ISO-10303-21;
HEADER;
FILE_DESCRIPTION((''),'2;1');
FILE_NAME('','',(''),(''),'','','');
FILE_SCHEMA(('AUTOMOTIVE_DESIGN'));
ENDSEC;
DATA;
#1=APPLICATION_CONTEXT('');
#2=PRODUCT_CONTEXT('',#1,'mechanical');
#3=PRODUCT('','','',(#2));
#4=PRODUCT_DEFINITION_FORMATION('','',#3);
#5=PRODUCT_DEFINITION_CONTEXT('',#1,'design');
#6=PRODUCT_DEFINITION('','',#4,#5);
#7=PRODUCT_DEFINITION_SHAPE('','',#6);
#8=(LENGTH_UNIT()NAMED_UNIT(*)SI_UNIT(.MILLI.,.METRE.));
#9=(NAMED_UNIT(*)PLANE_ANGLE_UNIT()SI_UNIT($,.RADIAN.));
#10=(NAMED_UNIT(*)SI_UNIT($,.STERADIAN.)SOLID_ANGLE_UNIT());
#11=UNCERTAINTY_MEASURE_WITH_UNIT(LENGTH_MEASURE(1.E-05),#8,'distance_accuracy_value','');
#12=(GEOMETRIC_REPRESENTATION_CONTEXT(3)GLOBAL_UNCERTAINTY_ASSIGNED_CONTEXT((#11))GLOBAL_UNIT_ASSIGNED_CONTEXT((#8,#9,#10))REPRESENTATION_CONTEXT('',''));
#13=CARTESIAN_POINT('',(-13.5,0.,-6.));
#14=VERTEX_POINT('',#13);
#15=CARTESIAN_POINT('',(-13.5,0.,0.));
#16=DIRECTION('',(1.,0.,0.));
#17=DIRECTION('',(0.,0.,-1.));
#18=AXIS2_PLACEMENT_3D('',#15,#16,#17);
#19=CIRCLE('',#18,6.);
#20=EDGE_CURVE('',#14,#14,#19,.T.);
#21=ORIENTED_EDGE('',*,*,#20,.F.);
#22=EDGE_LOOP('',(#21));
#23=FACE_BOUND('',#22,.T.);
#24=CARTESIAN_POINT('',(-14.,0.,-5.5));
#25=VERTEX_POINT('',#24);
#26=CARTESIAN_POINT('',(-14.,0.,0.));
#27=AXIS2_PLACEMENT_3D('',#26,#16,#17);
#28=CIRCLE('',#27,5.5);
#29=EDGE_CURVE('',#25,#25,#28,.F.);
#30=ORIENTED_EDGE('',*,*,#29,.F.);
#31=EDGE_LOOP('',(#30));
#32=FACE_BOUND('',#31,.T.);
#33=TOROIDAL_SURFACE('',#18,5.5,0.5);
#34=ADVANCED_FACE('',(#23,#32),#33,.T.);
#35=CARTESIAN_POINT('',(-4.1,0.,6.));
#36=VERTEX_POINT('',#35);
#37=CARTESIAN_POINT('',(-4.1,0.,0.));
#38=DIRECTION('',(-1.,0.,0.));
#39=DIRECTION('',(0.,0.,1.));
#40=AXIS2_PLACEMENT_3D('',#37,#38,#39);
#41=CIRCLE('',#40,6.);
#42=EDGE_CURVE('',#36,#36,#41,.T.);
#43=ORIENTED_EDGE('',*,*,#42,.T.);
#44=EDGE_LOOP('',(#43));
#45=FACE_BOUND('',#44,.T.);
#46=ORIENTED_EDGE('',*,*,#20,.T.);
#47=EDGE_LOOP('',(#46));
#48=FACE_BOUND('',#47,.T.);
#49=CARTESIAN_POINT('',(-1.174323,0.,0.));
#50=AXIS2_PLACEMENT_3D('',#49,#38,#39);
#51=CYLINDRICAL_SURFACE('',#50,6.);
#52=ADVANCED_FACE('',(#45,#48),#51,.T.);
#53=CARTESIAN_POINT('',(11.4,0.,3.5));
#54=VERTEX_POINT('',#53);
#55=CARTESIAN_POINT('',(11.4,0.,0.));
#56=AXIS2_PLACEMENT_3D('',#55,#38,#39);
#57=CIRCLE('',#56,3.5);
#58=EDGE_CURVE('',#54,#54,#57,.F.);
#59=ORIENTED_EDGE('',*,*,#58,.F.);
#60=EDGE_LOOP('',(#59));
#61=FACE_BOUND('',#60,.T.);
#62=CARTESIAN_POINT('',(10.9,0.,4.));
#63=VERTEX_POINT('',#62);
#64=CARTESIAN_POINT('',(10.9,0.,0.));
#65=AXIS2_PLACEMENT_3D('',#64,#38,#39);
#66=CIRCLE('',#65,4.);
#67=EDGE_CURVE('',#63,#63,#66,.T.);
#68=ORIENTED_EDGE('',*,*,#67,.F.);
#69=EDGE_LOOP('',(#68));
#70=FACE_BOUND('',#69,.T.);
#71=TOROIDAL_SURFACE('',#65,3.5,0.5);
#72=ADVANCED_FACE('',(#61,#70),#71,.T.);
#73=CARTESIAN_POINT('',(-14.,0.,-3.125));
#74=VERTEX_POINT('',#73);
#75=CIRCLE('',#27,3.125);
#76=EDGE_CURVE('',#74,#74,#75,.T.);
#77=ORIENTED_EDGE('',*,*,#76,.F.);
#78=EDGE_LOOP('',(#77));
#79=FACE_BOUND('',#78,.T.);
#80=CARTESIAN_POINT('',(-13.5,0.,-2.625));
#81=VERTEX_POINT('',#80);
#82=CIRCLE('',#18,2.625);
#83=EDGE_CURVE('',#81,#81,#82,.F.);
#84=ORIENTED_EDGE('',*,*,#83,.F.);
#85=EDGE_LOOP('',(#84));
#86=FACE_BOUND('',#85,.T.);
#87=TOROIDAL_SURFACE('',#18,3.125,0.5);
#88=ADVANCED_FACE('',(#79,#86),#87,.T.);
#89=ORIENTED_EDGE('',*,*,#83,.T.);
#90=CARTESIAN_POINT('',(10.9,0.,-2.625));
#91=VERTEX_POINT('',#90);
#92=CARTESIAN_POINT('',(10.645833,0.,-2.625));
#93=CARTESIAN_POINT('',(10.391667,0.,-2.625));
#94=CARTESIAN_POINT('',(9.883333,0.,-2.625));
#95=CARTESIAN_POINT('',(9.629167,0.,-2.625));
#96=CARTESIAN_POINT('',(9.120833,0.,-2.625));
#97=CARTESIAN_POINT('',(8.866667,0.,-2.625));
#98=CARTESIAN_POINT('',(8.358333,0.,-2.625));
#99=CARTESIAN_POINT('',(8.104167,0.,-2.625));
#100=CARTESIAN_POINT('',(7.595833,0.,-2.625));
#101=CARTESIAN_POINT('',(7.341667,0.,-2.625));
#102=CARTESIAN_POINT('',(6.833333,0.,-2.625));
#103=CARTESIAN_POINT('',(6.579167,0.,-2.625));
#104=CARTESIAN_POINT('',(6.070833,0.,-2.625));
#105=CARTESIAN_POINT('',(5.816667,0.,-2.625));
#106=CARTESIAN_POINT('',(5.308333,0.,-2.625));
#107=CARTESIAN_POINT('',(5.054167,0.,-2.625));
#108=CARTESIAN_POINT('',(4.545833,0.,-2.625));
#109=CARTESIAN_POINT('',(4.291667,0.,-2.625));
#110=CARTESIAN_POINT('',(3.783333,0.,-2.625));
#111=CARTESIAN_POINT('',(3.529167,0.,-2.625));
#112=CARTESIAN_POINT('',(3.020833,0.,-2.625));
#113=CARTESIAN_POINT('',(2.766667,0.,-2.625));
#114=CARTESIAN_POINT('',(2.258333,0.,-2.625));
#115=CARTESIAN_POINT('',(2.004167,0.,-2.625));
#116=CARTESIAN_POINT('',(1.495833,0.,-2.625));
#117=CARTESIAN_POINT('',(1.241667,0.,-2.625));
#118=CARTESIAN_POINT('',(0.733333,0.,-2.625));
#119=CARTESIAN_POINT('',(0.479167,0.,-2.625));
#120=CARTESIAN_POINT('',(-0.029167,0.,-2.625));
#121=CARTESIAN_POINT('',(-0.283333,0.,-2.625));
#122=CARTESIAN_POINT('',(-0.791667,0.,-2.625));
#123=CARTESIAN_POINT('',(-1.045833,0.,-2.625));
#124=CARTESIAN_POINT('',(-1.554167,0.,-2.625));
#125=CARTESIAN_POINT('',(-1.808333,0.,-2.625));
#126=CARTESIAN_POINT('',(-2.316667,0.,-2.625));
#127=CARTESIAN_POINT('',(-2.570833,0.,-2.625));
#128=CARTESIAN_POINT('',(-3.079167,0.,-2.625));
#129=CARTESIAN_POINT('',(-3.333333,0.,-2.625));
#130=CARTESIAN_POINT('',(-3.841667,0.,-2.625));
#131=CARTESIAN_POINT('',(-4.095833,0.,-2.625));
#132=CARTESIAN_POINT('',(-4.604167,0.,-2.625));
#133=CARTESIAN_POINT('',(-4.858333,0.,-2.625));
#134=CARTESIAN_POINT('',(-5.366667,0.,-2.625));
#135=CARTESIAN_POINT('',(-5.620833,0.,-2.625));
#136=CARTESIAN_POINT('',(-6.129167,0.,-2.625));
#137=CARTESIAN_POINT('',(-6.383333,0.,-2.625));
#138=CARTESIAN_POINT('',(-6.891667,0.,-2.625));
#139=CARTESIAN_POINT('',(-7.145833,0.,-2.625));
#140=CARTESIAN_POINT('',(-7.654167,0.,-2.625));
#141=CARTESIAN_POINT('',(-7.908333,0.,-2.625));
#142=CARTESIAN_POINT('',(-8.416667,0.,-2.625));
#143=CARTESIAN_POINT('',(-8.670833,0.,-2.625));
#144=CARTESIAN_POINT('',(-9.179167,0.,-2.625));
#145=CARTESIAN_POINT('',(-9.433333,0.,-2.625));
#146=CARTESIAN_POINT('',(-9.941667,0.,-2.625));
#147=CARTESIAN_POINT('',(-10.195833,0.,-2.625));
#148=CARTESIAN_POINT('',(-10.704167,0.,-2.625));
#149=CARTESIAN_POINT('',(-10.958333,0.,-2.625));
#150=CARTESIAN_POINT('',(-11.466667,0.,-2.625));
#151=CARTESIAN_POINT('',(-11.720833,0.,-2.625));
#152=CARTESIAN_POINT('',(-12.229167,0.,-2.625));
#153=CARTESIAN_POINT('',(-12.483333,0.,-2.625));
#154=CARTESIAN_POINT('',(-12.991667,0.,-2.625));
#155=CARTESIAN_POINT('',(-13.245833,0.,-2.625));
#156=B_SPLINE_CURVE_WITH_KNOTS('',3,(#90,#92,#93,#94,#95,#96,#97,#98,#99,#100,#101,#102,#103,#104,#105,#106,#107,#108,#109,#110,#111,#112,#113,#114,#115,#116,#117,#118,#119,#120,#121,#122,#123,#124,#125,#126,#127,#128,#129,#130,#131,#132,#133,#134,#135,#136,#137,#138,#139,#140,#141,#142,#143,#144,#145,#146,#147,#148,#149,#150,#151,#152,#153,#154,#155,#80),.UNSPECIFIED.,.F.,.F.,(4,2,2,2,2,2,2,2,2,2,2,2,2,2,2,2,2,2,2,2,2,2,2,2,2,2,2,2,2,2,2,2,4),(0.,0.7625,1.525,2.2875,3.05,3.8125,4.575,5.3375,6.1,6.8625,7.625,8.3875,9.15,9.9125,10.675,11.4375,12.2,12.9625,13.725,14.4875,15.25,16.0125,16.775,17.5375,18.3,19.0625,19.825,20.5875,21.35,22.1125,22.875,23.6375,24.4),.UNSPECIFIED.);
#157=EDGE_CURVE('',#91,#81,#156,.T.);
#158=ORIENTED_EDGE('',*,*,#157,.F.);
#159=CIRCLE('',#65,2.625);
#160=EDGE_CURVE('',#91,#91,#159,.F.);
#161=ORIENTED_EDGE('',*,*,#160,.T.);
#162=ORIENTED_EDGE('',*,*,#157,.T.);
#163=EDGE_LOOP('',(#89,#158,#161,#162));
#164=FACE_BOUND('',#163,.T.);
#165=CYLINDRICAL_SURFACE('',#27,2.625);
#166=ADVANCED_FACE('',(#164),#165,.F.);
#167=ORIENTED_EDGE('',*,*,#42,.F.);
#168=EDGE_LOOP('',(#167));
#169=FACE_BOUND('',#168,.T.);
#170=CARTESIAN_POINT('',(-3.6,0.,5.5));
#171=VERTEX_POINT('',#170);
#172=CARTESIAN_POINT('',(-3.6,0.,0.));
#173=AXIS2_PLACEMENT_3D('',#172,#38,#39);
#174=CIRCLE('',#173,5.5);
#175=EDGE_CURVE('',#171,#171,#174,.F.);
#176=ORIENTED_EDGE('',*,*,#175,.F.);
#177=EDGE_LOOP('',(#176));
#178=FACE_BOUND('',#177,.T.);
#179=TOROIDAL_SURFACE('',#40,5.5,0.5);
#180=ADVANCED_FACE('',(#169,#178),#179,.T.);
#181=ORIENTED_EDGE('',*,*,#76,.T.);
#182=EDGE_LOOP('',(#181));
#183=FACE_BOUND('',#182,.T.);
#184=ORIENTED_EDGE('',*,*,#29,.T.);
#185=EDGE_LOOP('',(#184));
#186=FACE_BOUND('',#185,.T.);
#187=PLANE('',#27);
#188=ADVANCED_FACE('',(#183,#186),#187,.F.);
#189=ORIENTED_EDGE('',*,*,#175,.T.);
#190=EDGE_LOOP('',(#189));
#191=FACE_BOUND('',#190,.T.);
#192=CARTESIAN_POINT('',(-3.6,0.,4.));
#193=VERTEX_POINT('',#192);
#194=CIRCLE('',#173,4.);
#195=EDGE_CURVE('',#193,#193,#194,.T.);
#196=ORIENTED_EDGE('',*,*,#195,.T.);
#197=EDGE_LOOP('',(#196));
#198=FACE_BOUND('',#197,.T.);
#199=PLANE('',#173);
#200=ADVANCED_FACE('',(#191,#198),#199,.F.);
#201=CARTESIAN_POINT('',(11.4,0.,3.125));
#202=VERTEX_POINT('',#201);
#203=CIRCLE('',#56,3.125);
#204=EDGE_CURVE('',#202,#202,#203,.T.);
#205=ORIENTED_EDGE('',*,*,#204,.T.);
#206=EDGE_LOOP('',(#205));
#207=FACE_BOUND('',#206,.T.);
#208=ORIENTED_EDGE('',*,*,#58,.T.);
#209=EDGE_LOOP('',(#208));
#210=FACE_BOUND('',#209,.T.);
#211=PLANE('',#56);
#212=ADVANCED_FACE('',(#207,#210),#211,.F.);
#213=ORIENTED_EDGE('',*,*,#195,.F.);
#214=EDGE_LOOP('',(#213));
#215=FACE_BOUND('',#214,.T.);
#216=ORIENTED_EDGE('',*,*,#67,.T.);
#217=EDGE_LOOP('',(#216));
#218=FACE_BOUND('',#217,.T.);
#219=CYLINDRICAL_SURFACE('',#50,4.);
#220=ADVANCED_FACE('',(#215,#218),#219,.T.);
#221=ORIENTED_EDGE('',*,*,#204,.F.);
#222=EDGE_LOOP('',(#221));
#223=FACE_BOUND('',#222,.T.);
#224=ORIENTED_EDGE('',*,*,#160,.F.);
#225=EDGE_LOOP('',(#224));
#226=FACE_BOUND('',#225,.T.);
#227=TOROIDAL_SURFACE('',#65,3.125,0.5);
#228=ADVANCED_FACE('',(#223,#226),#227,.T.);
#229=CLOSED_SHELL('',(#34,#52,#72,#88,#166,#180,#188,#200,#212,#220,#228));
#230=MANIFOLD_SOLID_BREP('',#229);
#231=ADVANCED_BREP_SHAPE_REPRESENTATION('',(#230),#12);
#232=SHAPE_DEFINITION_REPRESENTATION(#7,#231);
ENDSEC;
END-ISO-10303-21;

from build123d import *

# Parameters (mm, degrees)
CUT_EXTRUDE1_DEPTH      = 17.370705544
CUT_EXTRUDE1_DEPTH_BACK = 17.370705544
SKETCH2_R               = 2.625
FILLET1_R               = 0.5


with BuildPart() as part:
    # Sketch1 → Revolve1 (revolve)
    with BuildSketch(Plane.XY, mode=Mode.PRIVATE) as revolve1_sk:
        Polygon((-14, 0), (11.4, 0), (11.4, 4), (-3.6, 4), (-3.6, 6), (-14, 6), align=None)
    revolve(revolve1_sk.sketch.rotate(Axis((-1.174323487, 0, 0), (1, 0, 0)), 90), axis=Axis((-1.174323487, 0, 0), (1, 0, 0)))

    # Sketch2 → Cut-Extrude1 (cut, two sides: drawn at the far end of the back side and taken through both)
    with BuildSketch(Plane(origin=(0, 0, 0), x_dir=(0, 0, -1), z_dir=(1, 0, 0)).offset(-CUT_EXTRUDE1_DEPTH_BACK)):
        Circle(SKETCH2_R)
    extrude(amount=CUT_EXTRUDE1_DEPTH + CUT_EXTRUDE1_DEPTH_BACK, mode=Mode.SUBTRACT)

    # Fillet1
    fillet1_edges = [part.edges().sort_by_distance(p)[0] for p in [
        (-14, 0, 2.625),
        (11.4, 0, 2.625),
        (-14, 0, -6),
        (-3.6, 0, -6),
        (11.4, 0, -4),
    ]]
    fillet(fillet1_edges, radius=FILLET1_R)


solid = part.part
